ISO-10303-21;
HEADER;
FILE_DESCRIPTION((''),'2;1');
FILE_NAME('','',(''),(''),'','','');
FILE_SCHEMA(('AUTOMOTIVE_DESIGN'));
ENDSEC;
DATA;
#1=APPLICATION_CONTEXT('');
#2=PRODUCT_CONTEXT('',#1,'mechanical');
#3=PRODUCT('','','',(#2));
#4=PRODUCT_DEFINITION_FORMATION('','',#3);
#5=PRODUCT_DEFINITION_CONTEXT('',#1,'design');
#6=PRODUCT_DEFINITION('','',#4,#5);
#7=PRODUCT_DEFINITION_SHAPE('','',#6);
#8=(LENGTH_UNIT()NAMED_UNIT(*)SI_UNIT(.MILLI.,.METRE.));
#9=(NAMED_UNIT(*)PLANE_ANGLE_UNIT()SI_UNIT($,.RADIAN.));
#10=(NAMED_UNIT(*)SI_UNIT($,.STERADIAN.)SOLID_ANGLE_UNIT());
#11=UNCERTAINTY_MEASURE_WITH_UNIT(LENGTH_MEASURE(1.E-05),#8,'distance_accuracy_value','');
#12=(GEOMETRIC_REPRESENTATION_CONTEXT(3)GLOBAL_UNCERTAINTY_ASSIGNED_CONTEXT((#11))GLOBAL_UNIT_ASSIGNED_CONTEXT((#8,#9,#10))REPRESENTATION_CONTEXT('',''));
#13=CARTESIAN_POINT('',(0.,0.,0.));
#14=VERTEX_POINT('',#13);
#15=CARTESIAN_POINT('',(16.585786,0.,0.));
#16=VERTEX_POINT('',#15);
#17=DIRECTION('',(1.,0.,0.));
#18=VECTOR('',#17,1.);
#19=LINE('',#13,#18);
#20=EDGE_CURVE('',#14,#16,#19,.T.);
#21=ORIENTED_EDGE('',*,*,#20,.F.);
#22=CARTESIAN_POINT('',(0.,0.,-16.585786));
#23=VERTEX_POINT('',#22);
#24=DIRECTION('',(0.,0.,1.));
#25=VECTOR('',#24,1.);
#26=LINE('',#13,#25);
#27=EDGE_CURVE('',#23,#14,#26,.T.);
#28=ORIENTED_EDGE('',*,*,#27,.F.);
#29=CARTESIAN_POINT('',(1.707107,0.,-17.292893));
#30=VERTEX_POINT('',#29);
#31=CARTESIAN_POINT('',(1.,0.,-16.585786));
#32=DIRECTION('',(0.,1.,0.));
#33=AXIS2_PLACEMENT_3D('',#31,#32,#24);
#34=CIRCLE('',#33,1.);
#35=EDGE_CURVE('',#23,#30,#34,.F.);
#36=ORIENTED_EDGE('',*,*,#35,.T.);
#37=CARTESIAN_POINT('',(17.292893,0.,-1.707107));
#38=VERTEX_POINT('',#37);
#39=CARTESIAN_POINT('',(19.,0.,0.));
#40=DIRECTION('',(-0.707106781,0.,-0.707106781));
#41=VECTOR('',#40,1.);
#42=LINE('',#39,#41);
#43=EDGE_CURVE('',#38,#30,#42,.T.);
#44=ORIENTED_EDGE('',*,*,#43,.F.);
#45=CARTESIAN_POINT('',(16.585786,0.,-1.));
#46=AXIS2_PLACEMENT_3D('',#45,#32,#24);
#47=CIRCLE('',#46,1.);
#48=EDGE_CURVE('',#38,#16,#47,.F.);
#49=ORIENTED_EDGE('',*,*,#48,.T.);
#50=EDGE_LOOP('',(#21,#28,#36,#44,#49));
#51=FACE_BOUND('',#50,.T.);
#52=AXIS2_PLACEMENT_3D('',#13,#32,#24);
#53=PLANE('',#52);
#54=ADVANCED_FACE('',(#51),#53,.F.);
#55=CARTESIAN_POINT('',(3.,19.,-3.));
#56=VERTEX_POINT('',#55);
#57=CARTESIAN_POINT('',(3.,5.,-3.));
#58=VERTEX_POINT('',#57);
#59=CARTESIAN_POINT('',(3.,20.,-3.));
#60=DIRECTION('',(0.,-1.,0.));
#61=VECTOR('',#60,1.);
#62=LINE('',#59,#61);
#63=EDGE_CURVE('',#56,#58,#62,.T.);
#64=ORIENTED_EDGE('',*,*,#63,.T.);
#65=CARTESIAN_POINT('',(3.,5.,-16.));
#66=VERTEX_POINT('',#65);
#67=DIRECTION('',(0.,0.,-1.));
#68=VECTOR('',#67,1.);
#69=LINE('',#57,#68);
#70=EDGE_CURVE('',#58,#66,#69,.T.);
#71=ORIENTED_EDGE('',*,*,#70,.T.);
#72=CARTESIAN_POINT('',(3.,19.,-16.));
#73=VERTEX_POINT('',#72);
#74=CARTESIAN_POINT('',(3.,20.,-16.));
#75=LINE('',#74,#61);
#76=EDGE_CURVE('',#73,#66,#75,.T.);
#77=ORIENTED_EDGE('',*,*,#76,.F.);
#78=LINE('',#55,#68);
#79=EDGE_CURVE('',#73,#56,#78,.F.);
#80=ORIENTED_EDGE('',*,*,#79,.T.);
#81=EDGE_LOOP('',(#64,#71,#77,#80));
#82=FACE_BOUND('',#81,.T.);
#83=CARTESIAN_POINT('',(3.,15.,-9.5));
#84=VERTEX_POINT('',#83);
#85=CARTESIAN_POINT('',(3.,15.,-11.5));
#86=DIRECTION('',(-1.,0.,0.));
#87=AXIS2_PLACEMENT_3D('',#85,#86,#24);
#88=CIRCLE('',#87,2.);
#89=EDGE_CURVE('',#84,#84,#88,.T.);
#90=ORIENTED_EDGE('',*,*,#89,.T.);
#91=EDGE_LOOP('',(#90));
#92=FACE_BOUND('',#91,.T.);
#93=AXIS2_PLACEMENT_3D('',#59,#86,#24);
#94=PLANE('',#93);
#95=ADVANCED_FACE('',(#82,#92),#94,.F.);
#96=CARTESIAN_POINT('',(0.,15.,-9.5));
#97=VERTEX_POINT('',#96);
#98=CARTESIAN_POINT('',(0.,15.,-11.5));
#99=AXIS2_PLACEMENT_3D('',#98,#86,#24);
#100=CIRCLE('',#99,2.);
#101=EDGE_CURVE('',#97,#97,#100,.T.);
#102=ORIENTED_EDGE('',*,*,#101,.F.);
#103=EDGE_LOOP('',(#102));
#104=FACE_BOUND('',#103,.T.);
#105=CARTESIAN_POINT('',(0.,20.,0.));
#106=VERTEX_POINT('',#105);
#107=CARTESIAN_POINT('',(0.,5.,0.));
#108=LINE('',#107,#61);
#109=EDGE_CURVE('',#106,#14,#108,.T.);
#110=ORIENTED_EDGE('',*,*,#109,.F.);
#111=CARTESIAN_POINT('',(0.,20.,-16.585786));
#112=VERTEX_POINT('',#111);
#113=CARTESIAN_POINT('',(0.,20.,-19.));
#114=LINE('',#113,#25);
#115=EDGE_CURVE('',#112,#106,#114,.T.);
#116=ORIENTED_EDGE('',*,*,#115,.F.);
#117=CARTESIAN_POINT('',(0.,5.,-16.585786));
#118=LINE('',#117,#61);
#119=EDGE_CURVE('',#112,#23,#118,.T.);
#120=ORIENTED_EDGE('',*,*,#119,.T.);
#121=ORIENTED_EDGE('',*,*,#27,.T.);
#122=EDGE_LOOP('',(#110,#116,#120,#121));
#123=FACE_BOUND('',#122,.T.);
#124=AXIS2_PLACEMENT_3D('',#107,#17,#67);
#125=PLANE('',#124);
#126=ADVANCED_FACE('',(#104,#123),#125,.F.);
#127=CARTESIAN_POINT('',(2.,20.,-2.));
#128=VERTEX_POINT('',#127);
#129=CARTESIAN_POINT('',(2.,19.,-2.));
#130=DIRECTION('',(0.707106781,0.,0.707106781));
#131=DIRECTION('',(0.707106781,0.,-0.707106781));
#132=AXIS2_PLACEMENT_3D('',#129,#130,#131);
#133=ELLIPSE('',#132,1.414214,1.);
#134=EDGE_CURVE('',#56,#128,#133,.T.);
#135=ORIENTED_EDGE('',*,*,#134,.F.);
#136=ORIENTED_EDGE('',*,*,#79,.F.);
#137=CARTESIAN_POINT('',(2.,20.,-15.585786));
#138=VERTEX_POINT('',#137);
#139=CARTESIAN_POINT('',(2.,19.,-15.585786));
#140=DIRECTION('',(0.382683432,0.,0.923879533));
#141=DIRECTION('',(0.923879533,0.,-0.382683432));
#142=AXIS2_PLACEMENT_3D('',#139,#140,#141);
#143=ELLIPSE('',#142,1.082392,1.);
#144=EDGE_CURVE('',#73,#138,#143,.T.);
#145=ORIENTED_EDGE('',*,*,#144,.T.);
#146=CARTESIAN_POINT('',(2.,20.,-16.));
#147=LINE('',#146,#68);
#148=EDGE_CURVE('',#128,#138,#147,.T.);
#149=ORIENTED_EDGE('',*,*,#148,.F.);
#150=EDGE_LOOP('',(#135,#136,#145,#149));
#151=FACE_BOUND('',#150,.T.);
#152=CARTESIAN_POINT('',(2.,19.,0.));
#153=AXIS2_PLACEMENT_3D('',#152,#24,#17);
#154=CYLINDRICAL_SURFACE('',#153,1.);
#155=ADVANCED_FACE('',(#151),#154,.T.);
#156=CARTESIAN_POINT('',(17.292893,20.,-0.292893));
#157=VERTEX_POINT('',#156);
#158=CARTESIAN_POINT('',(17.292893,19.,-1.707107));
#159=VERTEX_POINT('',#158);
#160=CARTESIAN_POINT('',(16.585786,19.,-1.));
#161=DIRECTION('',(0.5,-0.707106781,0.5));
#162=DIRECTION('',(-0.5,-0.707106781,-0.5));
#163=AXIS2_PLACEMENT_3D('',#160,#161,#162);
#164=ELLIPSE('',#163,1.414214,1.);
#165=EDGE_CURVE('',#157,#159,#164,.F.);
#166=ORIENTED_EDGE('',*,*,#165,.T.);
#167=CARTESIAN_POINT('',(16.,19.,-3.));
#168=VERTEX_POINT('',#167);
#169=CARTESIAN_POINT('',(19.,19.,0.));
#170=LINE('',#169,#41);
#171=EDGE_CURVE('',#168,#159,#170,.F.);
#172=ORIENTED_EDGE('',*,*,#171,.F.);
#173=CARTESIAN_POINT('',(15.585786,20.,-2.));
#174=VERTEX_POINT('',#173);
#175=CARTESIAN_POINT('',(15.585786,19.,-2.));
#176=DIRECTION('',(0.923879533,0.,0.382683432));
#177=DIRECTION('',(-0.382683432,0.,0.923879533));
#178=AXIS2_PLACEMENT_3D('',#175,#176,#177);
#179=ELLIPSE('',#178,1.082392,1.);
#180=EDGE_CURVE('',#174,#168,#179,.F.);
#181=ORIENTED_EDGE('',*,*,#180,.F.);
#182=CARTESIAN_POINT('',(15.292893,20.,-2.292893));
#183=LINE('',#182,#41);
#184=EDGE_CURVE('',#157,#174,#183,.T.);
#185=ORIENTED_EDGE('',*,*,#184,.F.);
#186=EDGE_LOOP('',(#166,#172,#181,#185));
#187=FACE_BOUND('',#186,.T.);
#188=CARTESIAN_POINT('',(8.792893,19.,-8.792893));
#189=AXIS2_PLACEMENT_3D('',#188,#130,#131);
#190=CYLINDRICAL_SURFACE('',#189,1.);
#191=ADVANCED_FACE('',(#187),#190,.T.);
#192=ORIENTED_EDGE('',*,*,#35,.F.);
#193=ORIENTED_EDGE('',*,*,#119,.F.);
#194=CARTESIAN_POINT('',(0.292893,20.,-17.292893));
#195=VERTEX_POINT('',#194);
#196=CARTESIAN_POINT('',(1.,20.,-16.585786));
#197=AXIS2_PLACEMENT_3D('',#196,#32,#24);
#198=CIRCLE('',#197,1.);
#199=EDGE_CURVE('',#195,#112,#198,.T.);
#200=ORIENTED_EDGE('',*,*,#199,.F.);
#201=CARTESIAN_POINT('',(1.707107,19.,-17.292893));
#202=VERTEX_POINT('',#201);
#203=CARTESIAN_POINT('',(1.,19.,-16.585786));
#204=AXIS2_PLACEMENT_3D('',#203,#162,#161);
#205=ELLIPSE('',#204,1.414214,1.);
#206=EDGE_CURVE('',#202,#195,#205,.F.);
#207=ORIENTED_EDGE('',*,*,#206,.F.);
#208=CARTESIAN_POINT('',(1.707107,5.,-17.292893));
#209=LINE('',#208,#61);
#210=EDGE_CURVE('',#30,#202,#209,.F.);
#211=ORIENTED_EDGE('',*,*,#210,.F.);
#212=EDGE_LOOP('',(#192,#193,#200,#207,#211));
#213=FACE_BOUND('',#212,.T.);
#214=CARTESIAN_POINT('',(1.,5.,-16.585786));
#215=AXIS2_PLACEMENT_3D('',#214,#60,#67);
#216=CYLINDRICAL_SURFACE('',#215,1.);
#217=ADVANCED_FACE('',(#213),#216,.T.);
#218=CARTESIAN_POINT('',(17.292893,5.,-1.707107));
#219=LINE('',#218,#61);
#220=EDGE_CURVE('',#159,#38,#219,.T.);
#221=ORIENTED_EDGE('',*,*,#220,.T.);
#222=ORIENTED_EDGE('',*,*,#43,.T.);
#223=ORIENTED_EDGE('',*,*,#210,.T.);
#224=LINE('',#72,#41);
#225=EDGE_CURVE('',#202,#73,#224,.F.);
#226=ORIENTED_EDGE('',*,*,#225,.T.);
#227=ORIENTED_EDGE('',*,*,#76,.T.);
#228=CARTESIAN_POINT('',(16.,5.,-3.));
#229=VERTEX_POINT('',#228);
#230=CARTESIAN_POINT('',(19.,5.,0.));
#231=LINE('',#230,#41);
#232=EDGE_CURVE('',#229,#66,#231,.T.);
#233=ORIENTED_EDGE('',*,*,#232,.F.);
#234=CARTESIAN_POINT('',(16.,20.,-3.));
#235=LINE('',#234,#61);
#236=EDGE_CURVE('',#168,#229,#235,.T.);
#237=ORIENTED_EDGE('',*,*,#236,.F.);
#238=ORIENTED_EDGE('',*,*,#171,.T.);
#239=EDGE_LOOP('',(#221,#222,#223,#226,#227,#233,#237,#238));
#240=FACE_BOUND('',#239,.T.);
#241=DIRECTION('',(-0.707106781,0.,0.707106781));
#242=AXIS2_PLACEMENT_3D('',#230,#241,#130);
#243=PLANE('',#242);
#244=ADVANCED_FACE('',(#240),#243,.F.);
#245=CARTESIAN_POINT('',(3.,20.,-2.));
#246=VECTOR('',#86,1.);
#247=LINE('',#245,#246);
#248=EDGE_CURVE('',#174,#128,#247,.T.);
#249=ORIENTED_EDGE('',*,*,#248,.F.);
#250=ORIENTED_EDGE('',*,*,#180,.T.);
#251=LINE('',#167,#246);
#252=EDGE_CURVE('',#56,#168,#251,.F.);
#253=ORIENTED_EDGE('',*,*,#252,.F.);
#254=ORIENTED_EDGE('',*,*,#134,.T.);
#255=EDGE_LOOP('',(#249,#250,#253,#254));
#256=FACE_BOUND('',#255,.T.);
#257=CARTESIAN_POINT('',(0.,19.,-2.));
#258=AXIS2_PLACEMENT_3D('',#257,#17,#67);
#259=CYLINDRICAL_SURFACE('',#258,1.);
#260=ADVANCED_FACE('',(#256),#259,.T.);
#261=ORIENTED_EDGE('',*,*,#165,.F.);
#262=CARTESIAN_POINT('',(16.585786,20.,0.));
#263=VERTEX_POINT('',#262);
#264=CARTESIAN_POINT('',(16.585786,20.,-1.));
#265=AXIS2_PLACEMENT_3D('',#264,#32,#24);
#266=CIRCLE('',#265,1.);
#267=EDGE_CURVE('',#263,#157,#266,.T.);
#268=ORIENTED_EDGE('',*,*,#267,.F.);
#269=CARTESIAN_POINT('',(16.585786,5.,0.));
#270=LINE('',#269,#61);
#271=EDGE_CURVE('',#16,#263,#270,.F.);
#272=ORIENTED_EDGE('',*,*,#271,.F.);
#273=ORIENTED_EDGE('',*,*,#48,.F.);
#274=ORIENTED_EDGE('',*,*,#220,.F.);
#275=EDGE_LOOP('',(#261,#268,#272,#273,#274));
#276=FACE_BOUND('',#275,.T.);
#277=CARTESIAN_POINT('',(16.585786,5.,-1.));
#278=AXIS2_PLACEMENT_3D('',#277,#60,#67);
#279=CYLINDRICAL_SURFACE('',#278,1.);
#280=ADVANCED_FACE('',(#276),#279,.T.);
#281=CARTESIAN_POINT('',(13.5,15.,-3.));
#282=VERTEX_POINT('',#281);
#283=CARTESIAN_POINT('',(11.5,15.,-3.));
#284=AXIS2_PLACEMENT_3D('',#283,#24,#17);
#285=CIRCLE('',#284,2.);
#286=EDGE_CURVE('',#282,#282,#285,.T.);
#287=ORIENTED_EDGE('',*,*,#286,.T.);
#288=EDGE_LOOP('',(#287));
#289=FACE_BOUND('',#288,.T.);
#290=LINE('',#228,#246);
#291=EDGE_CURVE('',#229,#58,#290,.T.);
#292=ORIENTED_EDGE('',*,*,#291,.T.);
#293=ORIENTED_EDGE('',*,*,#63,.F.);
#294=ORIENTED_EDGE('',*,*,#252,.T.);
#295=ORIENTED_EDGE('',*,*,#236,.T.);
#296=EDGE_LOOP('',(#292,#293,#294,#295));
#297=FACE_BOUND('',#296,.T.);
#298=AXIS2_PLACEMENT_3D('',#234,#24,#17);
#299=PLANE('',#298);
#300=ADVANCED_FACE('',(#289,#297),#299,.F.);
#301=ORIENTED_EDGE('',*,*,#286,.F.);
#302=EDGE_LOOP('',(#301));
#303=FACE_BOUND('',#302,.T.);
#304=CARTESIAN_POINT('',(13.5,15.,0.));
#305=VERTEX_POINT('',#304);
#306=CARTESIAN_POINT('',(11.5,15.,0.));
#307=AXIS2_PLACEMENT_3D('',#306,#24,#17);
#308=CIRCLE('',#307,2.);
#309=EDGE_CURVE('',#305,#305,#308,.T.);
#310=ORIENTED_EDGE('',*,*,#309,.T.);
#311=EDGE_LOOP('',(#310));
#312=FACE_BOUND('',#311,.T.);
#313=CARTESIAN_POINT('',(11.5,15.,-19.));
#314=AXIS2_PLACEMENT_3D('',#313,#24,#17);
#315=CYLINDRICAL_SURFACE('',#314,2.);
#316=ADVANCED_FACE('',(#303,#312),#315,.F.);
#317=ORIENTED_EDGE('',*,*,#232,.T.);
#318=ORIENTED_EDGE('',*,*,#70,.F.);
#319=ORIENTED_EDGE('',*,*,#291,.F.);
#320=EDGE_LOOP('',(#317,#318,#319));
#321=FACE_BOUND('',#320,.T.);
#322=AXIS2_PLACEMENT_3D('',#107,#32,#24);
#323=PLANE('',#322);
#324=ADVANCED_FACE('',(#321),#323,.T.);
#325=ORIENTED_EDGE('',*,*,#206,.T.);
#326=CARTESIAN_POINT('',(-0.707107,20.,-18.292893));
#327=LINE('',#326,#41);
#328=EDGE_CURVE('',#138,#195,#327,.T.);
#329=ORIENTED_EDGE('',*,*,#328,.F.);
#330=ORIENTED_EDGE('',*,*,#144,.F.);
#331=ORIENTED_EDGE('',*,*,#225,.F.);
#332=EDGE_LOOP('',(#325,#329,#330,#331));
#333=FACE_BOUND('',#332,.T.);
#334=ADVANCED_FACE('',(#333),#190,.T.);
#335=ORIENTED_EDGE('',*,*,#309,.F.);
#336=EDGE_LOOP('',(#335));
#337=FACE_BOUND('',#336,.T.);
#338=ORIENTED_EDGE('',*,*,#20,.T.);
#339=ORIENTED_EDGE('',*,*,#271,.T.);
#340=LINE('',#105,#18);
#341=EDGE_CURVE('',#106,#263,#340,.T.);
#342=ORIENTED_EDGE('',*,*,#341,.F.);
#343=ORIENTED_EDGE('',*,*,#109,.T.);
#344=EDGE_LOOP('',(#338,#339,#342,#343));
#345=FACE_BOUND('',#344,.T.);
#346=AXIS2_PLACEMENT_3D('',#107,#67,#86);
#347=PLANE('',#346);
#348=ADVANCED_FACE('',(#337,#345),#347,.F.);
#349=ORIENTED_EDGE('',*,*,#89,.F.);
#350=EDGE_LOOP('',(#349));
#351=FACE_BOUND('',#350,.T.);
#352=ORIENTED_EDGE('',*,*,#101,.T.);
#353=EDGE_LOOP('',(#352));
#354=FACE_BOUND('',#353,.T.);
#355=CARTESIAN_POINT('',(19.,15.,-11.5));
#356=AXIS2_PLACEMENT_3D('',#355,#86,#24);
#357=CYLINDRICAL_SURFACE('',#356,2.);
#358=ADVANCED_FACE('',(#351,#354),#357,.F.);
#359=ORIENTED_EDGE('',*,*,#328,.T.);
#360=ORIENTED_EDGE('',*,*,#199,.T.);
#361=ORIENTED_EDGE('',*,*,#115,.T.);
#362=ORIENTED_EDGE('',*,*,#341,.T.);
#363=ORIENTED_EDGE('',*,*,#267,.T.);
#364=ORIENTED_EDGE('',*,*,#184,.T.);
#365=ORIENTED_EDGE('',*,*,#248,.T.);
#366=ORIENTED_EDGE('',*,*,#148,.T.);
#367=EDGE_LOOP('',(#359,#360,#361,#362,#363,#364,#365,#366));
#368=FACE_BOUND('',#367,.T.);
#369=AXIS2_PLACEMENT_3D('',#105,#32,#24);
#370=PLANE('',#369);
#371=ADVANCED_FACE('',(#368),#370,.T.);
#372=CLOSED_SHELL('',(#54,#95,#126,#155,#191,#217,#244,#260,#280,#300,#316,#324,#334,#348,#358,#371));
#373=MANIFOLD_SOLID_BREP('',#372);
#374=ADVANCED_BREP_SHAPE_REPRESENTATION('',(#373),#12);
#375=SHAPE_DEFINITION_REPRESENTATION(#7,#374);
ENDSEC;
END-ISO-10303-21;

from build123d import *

# Parameters (mm, degrees)
BOSS_EXTRUDE1_DEPTH = 5
BOSS_EXTRUDE2_DEPTH = 15
SKETCH3_R           = 2
CUT_EXTRUDE1_DEPTH  = 34.496268449
SKETCH4_R           = 2
CUT_EXTRUDE2_DEPTH  = 34.496268449
FILLET1_R           = 1


with BuildPart() as part:
    # Sketch1 → Boss-Extrude1 (new body)
    with BuildSketch(Plane(origin=(0, 0, 0), x_dir=(1, 0, 0), z_dir=(0, 1, 0))):
        Polygon((0, 0), (0, 19), (19, 0), align=None)
    extrude(amount=BOSS_EXTRUDE1_DEPTH)

    # Sketch2 → Boss-Extrude2 (add)
    with BuildSketch(Plane(origin=(0, 5, 0), x_dir=(1, 0, 0), z_dir=(0, 1, 0))):
        Polygon((0, 19), (0, 0), (19, 0), (16, 3), (3, 3), (3, 16), align=None)
    extrude(amount=BOSS_EXTRUDE2_DEPTH)

    # Sketch3 → Cut-Extrude1 (cut, through all)
    with BuildSketch(Plane.XY):
        with Locations((11.5, 15)):
            Circle(SKETCH3_R)
    extrude(amount=-CUT_EXTRUDE1_DEPTH, mode=Mode.SUBTRACT)

    # Sketch4 → Cut-Extrude2 (cut, through all)
    with BuildSketch(Plane.ZY):
        with Locations((-11.5, 15)):
            Circle(SKETCH4_R)
    extrude(amount=-CUT_EXTRUDE2_DEPTH, mode=Mode.SUBTRACT)

    # Fillet1
    fillet1_edges = [part.edges().sort_by_distance(p)[0] for p in [
        (9.5, 20, -3),
        (3, 20, -9.5),
        (1.5, 20, -17.5),
        (17.5, 20, -1.5),
        (19, 10, 0),
        (0, 10, -19),
    ]]
    fillet(fillet1_edges, radius=FILLET1_R)


solid = part.part
